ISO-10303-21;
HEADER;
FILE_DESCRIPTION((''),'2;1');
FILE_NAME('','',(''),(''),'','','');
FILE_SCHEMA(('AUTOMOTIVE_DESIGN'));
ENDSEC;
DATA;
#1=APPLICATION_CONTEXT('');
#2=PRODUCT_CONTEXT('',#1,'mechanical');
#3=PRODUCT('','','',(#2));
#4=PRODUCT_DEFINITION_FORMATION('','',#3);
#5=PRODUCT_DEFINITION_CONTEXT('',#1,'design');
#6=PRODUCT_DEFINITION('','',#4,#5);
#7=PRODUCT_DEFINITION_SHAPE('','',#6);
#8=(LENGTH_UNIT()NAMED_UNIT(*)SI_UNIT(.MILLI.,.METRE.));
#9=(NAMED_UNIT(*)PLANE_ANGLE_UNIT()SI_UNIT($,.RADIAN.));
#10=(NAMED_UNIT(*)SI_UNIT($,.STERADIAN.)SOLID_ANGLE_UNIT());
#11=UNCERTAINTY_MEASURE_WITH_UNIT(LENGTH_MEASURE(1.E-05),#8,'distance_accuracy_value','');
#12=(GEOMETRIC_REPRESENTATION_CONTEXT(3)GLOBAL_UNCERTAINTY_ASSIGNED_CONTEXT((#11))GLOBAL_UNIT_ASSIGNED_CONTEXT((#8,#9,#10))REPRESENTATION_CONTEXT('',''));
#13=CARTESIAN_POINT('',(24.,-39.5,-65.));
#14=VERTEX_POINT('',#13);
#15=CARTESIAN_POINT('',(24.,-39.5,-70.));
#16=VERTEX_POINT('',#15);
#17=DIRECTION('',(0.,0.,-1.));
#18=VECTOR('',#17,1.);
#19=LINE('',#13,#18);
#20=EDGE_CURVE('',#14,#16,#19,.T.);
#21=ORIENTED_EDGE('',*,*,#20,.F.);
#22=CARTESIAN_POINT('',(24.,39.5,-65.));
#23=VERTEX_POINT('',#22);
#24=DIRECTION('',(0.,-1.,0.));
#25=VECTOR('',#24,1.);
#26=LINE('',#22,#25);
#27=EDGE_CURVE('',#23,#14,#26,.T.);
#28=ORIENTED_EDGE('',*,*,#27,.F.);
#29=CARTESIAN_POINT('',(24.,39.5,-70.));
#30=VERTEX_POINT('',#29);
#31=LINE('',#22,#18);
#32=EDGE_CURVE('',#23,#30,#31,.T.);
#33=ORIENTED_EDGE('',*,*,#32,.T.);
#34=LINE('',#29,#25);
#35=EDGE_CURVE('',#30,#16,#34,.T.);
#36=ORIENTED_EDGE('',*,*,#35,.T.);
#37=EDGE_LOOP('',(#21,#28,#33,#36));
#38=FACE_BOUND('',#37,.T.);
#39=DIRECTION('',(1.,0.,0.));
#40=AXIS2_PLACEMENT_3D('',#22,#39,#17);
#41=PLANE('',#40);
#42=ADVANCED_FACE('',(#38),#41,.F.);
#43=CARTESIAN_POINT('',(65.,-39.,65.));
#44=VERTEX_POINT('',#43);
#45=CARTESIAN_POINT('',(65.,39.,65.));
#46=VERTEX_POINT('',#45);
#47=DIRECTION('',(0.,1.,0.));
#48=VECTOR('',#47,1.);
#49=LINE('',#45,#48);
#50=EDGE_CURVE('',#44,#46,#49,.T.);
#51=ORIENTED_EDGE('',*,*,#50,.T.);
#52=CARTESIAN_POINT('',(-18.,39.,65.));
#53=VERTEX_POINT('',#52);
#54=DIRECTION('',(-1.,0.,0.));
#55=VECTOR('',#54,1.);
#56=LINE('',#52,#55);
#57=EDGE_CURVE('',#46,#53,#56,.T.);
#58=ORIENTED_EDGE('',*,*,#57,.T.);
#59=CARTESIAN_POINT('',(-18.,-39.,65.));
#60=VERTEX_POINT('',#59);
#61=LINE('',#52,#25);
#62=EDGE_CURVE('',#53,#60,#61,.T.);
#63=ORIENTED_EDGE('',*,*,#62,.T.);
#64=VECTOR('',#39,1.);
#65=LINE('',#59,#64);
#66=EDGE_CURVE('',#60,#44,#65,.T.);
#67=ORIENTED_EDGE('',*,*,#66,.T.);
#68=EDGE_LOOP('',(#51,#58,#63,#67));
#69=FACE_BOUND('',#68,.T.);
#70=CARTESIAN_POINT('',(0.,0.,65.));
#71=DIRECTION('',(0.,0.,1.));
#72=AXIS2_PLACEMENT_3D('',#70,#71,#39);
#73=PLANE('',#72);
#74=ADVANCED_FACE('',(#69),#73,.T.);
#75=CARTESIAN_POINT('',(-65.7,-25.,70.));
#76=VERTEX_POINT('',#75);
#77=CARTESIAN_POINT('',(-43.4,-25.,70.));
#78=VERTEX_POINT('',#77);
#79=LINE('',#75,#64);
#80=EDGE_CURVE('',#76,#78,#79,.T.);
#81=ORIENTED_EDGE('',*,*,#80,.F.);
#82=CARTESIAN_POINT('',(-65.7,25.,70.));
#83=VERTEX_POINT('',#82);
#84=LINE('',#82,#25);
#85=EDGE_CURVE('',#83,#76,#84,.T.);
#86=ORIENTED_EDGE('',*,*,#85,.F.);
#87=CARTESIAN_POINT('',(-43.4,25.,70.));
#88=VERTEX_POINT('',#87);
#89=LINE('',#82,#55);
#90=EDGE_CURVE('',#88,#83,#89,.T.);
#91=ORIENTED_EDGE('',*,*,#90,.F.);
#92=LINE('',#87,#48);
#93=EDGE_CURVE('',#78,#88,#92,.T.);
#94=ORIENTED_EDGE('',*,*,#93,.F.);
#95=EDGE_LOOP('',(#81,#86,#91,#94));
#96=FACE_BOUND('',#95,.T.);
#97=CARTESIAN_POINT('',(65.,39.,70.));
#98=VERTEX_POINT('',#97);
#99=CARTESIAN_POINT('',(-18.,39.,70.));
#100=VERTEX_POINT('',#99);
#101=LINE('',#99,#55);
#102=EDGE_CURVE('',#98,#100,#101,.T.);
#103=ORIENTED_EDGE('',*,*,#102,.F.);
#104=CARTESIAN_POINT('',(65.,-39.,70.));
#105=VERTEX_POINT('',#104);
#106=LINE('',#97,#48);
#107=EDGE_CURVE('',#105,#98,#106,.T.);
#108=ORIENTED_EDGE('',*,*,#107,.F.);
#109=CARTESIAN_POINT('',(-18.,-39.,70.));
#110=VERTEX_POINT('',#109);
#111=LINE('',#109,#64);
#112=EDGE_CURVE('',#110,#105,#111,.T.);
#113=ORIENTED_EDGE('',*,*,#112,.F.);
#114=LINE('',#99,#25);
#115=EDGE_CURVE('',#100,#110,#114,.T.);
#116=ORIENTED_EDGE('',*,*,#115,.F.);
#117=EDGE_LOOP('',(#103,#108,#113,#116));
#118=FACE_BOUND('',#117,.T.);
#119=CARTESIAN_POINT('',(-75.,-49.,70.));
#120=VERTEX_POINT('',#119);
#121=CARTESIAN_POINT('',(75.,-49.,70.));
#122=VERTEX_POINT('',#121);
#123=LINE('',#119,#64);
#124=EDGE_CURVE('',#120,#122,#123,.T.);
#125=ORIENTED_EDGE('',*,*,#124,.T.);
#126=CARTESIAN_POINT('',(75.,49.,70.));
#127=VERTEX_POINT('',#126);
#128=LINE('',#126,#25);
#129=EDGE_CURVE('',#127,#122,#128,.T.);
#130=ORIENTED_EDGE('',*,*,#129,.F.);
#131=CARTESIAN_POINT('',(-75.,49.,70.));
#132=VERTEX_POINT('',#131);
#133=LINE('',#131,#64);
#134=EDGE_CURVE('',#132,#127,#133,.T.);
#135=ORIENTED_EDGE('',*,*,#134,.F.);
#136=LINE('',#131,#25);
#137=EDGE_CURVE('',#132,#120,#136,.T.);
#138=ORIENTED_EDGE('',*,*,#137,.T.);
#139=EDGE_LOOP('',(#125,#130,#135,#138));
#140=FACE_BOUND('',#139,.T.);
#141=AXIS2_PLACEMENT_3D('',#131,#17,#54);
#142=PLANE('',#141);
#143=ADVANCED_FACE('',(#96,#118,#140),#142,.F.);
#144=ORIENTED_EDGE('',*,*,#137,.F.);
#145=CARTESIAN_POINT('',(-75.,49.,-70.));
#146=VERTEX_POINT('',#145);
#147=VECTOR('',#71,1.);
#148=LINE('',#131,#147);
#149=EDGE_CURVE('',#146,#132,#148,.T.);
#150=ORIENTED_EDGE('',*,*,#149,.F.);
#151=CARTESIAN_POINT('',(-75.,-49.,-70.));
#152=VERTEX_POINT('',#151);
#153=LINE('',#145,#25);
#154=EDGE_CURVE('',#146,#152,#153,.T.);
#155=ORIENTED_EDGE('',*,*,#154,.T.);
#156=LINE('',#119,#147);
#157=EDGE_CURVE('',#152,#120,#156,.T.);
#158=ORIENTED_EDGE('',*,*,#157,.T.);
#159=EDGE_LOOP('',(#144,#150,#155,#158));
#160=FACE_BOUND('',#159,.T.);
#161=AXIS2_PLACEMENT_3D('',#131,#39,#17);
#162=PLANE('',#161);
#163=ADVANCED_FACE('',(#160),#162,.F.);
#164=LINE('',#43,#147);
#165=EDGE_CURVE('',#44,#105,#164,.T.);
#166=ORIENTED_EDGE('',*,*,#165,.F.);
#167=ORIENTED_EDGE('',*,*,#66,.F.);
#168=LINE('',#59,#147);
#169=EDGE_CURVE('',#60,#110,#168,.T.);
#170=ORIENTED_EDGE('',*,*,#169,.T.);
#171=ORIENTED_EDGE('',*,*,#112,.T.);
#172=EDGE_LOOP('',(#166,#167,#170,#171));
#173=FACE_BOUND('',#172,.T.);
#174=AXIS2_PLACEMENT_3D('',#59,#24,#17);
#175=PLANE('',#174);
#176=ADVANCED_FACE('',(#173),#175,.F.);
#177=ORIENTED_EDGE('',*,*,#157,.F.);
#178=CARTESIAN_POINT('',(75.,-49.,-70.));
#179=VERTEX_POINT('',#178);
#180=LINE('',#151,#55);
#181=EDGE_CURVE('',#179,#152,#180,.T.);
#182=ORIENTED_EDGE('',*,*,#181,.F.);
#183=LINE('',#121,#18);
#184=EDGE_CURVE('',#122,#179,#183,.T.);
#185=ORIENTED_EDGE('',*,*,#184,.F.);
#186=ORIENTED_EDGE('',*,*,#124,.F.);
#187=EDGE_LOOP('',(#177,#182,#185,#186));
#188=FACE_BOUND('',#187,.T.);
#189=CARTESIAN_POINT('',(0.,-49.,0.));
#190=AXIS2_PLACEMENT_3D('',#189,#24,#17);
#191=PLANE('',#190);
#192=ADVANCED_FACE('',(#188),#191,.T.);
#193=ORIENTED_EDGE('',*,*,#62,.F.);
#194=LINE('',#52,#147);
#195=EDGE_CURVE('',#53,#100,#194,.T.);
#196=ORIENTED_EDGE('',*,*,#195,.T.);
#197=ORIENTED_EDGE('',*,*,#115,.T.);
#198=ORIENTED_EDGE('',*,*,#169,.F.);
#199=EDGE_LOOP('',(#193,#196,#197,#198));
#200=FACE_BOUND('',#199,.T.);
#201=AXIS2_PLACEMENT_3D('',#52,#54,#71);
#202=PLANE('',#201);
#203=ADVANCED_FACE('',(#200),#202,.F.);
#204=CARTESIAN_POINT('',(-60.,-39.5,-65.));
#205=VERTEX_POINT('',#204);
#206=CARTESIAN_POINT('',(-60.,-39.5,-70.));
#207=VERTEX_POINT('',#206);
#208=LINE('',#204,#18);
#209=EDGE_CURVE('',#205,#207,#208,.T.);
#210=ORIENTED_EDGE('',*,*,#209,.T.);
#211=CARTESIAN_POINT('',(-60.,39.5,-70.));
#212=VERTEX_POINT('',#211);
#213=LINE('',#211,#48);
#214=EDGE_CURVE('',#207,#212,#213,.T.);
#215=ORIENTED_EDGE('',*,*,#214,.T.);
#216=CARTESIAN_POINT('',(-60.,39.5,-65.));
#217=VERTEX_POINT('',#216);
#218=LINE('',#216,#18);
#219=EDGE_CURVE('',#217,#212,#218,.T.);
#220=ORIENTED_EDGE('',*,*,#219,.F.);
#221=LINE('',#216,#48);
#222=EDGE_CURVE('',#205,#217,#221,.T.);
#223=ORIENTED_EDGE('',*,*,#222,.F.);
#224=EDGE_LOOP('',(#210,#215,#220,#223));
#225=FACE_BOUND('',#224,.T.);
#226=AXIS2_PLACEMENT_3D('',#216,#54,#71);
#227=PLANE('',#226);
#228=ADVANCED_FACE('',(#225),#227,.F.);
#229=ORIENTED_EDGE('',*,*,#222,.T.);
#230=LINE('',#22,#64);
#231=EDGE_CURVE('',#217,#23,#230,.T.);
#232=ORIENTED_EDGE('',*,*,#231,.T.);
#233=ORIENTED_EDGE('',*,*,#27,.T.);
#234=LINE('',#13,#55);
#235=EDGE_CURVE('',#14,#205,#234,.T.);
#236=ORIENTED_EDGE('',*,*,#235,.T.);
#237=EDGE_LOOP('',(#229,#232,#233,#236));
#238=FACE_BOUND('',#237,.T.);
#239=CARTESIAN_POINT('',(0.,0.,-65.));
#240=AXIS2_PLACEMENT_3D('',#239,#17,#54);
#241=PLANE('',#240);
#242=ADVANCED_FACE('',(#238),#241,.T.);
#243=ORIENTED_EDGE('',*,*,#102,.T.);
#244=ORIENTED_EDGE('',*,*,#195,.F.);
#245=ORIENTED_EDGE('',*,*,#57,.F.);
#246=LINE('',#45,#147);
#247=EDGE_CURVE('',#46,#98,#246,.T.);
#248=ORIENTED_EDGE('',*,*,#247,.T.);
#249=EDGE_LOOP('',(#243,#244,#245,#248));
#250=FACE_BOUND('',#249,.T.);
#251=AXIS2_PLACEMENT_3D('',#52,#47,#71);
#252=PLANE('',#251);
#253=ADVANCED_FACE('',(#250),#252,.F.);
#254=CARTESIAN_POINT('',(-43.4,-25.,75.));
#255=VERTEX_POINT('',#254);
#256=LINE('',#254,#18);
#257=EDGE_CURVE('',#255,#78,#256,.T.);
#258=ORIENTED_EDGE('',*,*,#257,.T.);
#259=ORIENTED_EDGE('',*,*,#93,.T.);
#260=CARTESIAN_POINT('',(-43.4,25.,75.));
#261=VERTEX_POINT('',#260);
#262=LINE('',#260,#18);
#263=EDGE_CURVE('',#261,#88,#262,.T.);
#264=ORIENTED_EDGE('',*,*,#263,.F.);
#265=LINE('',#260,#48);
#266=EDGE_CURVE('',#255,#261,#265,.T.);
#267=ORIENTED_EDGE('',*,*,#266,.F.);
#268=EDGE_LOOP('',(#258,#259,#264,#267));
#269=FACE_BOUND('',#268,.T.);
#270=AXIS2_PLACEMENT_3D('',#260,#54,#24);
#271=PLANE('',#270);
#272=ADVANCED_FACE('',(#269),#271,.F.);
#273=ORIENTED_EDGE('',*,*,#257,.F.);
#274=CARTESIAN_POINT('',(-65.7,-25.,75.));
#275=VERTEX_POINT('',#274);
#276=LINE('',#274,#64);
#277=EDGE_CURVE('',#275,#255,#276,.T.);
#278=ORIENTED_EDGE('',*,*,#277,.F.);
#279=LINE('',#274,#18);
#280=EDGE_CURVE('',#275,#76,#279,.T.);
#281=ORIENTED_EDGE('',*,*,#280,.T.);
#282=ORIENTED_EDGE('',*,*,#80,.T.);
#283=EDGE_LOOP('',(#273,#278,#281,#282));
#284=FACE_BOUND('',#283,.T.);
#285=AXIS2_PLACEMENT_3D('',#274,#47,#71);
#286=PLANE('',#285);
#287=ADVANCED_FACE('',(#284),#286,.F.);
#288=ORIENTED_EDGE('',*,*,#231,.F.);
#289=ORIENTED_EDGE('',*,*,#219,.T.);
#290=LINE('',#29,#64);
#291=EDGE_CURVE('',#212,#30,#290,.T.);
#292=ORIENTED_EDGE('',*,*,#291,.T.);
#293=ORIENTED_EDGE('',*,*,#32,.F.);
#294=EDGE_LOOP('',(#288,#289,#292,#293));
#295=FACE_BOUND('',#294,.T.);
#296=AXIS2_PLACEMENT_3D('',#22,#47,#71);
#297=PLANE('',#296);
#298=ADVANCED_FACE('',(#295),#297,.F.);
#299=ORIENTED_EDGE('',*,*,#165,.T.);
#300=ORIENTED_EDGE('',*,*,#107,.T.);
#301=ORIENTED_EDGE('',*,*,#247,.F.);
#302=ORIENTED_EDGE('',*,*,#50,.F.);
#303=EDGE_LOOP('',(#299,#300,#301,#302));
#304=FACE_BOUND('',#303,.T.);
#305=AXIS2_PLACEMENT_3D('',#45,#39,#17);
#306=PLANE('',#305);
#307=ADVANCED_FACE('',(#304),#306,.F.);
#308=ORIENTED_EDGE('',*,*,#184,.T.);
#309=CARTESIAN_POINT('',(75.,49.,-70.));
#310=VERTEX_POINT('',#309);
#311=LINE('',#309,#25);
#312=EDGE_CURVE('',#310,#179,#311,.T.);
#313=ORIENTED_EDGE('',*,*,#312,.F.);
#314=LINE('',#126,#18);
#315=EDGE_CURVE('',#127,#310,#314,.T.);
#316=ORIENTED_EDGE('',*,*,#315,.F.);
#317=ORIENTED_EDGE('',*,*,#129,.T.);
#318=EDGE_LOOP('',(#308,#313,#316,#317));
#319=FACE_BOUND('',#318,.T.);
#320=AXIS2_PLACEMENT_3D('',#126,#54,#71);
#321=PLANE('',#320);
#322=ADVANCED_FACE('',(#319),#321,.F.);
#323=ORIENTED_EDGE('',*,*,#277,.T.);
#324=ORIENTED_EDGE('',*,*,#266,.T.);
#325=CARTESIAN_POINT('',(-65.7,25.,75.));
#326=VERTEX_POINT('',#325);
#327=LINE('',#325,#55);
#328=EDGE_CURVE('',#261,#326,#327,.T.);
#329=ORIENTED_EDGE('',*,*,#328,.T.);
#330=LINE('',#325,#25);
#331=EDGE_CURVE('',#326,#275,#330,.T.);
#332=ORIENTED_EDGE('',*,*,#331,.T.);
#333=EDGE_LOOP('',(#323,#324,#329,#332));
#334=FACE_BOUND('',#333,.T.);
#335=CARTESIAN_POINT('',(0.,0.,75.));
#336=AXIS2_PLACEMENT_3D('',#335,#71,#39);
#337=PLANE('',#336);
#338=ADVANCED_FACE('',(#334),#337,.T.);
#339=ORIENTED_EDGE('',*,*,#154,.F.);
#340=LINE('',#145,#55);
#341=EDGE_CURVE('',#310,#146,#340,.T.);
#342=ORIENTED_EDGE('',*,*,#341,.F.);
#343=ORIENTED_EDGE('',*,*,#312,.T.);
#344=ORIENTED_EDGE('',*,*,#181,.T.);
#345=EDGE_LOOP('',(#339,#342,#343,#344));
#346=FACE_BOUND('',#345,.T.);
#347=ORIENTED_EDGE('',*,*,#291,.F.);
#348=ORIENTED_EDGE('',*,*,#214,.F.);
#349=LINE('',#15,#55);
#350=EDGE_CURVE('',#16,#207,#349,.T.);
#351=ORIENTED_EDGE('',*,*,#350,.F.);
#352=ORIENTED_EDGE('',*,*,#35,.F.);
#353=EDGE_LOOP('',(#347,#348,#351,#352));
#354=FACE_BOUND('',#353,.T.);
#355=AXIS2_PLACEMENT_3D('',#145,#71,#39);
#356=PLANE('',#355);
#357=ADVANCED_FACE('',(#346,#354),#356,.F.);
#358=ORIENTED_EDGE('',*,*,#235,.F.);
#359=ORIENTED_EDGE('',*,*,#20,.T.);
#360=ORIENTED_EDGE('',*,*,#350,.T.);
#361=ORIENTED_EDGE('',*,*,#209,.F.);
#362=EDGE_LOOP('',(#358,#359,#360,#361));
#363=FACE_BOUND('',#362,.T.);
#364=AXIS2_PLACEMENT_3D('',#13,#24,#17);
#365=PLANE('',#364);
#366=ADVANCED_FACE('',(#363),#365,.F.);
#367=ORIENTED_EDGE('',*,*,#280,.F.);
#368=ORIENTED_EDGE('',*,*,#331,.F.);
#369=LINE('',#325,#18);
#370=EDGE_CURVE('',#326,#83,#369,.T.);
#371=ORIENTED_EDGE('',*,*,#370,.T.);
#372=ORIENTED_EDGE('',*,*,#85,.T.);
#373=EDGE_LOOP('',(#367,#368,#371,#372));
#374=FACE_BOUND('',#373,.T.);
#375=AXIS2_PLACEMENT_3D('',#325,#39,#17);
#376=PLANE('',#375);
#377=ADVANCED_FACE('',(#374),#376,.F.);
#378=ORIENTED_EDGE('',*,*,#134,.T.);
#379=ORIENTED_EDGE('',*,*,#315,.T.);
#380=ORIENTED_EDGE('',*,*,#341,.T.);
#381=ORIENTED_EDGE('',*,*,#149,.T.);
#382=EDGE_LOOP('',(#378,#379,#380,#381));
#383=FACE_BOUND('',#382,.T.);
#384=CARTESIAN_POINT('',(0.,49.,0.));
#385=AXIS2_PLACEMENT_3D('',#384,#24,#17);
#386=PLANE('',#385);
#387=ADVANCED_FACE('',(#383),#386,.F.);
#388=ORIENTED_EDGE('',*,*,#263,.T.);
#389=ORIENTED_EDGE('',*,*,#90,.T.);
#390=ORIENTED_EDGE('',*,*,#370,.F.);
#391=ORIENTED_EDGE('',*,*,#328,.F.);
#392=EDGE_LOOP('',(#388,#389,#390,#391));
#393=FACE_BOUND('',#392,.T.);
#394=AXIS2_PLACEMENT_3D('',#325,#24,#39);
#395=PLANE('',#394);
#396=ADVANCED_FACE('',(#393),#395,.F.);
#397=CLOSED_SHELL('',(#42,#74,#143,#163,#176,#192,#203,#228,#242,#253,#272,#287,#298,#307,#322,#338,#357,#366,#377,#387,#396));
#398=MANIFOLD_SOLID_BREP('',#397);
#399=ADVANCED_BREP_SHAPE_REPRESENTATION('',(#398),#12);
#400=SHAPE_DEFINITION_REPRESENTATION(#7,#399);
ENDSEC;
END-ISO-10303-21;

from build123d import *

# Parameters (mm, degrees)
SKETCH1_W           = 150
SKETCH1_H           = 140
BOSS_EXTRUDE1_DEPTH = 49
SKETCH2_W           = 83
SKETCH2_H           = 78
CUT_EXTRUDE1_DEPTH  = 5
SKETCH3_W           = 22.3
SKETCH3_H           = 50
BOSS_EXTRUDE2_DEPTH = 5
SKETCH4_W           = 84
SKETCH4_H           = 79
CUT_EXTRUDE2_DEPTH  = 5


with BuildPart() as part:
    # Sketch1 → Boss-Extrude1 (new, symmetric)
    with BuildSketch(Plane(origin=(0, 0, 0), x_dir=(1, 0, 0), z_dir=(0, 1, 0))):
        Rectangle(SKETCH1_W, SKETCH1_H)
    extrude(amount=BOSS_EXTRUDE1_DEPTH, both=True)

    # Sketch2 → Cut-Extrude1 (cut)
    with BuildSketch(Plane.XY.offset(70)):
        with Locations((23.5, 0)):
            Rectangle(SKETCH2_W, SKETCH2_H)
    extrude(amount=-CUT_EXTRUDE1_DEPTH, mode=Mode.SUBTRACT)

    # Sketch3 → Boss-Extrude2 (add)
    with BuildSketch(Plane.XY.offset(70)):
        with Locations((-54.55, 0)):
            Rectangle(SKETCH3_W, SKETCH3_H)
    extrude(amount=BOSS_EXTRUDE2_DEPTH)

    # Sketch4 → Cut-Extrude2 (cut)
    with BuildSketch(Plane(origin=(0, 0, -70), x_dir=(-1, 0, 0), z_dir=(0, 0, -1))):
        with Locations((18, 0)):
            Rectangle(SKETCH4_W, SKETCH4_H)
    extrude(amount=-CUT_EXTRUDE2_DEPTH, mode=Mode.SUBTRACT)


solid = part.part
